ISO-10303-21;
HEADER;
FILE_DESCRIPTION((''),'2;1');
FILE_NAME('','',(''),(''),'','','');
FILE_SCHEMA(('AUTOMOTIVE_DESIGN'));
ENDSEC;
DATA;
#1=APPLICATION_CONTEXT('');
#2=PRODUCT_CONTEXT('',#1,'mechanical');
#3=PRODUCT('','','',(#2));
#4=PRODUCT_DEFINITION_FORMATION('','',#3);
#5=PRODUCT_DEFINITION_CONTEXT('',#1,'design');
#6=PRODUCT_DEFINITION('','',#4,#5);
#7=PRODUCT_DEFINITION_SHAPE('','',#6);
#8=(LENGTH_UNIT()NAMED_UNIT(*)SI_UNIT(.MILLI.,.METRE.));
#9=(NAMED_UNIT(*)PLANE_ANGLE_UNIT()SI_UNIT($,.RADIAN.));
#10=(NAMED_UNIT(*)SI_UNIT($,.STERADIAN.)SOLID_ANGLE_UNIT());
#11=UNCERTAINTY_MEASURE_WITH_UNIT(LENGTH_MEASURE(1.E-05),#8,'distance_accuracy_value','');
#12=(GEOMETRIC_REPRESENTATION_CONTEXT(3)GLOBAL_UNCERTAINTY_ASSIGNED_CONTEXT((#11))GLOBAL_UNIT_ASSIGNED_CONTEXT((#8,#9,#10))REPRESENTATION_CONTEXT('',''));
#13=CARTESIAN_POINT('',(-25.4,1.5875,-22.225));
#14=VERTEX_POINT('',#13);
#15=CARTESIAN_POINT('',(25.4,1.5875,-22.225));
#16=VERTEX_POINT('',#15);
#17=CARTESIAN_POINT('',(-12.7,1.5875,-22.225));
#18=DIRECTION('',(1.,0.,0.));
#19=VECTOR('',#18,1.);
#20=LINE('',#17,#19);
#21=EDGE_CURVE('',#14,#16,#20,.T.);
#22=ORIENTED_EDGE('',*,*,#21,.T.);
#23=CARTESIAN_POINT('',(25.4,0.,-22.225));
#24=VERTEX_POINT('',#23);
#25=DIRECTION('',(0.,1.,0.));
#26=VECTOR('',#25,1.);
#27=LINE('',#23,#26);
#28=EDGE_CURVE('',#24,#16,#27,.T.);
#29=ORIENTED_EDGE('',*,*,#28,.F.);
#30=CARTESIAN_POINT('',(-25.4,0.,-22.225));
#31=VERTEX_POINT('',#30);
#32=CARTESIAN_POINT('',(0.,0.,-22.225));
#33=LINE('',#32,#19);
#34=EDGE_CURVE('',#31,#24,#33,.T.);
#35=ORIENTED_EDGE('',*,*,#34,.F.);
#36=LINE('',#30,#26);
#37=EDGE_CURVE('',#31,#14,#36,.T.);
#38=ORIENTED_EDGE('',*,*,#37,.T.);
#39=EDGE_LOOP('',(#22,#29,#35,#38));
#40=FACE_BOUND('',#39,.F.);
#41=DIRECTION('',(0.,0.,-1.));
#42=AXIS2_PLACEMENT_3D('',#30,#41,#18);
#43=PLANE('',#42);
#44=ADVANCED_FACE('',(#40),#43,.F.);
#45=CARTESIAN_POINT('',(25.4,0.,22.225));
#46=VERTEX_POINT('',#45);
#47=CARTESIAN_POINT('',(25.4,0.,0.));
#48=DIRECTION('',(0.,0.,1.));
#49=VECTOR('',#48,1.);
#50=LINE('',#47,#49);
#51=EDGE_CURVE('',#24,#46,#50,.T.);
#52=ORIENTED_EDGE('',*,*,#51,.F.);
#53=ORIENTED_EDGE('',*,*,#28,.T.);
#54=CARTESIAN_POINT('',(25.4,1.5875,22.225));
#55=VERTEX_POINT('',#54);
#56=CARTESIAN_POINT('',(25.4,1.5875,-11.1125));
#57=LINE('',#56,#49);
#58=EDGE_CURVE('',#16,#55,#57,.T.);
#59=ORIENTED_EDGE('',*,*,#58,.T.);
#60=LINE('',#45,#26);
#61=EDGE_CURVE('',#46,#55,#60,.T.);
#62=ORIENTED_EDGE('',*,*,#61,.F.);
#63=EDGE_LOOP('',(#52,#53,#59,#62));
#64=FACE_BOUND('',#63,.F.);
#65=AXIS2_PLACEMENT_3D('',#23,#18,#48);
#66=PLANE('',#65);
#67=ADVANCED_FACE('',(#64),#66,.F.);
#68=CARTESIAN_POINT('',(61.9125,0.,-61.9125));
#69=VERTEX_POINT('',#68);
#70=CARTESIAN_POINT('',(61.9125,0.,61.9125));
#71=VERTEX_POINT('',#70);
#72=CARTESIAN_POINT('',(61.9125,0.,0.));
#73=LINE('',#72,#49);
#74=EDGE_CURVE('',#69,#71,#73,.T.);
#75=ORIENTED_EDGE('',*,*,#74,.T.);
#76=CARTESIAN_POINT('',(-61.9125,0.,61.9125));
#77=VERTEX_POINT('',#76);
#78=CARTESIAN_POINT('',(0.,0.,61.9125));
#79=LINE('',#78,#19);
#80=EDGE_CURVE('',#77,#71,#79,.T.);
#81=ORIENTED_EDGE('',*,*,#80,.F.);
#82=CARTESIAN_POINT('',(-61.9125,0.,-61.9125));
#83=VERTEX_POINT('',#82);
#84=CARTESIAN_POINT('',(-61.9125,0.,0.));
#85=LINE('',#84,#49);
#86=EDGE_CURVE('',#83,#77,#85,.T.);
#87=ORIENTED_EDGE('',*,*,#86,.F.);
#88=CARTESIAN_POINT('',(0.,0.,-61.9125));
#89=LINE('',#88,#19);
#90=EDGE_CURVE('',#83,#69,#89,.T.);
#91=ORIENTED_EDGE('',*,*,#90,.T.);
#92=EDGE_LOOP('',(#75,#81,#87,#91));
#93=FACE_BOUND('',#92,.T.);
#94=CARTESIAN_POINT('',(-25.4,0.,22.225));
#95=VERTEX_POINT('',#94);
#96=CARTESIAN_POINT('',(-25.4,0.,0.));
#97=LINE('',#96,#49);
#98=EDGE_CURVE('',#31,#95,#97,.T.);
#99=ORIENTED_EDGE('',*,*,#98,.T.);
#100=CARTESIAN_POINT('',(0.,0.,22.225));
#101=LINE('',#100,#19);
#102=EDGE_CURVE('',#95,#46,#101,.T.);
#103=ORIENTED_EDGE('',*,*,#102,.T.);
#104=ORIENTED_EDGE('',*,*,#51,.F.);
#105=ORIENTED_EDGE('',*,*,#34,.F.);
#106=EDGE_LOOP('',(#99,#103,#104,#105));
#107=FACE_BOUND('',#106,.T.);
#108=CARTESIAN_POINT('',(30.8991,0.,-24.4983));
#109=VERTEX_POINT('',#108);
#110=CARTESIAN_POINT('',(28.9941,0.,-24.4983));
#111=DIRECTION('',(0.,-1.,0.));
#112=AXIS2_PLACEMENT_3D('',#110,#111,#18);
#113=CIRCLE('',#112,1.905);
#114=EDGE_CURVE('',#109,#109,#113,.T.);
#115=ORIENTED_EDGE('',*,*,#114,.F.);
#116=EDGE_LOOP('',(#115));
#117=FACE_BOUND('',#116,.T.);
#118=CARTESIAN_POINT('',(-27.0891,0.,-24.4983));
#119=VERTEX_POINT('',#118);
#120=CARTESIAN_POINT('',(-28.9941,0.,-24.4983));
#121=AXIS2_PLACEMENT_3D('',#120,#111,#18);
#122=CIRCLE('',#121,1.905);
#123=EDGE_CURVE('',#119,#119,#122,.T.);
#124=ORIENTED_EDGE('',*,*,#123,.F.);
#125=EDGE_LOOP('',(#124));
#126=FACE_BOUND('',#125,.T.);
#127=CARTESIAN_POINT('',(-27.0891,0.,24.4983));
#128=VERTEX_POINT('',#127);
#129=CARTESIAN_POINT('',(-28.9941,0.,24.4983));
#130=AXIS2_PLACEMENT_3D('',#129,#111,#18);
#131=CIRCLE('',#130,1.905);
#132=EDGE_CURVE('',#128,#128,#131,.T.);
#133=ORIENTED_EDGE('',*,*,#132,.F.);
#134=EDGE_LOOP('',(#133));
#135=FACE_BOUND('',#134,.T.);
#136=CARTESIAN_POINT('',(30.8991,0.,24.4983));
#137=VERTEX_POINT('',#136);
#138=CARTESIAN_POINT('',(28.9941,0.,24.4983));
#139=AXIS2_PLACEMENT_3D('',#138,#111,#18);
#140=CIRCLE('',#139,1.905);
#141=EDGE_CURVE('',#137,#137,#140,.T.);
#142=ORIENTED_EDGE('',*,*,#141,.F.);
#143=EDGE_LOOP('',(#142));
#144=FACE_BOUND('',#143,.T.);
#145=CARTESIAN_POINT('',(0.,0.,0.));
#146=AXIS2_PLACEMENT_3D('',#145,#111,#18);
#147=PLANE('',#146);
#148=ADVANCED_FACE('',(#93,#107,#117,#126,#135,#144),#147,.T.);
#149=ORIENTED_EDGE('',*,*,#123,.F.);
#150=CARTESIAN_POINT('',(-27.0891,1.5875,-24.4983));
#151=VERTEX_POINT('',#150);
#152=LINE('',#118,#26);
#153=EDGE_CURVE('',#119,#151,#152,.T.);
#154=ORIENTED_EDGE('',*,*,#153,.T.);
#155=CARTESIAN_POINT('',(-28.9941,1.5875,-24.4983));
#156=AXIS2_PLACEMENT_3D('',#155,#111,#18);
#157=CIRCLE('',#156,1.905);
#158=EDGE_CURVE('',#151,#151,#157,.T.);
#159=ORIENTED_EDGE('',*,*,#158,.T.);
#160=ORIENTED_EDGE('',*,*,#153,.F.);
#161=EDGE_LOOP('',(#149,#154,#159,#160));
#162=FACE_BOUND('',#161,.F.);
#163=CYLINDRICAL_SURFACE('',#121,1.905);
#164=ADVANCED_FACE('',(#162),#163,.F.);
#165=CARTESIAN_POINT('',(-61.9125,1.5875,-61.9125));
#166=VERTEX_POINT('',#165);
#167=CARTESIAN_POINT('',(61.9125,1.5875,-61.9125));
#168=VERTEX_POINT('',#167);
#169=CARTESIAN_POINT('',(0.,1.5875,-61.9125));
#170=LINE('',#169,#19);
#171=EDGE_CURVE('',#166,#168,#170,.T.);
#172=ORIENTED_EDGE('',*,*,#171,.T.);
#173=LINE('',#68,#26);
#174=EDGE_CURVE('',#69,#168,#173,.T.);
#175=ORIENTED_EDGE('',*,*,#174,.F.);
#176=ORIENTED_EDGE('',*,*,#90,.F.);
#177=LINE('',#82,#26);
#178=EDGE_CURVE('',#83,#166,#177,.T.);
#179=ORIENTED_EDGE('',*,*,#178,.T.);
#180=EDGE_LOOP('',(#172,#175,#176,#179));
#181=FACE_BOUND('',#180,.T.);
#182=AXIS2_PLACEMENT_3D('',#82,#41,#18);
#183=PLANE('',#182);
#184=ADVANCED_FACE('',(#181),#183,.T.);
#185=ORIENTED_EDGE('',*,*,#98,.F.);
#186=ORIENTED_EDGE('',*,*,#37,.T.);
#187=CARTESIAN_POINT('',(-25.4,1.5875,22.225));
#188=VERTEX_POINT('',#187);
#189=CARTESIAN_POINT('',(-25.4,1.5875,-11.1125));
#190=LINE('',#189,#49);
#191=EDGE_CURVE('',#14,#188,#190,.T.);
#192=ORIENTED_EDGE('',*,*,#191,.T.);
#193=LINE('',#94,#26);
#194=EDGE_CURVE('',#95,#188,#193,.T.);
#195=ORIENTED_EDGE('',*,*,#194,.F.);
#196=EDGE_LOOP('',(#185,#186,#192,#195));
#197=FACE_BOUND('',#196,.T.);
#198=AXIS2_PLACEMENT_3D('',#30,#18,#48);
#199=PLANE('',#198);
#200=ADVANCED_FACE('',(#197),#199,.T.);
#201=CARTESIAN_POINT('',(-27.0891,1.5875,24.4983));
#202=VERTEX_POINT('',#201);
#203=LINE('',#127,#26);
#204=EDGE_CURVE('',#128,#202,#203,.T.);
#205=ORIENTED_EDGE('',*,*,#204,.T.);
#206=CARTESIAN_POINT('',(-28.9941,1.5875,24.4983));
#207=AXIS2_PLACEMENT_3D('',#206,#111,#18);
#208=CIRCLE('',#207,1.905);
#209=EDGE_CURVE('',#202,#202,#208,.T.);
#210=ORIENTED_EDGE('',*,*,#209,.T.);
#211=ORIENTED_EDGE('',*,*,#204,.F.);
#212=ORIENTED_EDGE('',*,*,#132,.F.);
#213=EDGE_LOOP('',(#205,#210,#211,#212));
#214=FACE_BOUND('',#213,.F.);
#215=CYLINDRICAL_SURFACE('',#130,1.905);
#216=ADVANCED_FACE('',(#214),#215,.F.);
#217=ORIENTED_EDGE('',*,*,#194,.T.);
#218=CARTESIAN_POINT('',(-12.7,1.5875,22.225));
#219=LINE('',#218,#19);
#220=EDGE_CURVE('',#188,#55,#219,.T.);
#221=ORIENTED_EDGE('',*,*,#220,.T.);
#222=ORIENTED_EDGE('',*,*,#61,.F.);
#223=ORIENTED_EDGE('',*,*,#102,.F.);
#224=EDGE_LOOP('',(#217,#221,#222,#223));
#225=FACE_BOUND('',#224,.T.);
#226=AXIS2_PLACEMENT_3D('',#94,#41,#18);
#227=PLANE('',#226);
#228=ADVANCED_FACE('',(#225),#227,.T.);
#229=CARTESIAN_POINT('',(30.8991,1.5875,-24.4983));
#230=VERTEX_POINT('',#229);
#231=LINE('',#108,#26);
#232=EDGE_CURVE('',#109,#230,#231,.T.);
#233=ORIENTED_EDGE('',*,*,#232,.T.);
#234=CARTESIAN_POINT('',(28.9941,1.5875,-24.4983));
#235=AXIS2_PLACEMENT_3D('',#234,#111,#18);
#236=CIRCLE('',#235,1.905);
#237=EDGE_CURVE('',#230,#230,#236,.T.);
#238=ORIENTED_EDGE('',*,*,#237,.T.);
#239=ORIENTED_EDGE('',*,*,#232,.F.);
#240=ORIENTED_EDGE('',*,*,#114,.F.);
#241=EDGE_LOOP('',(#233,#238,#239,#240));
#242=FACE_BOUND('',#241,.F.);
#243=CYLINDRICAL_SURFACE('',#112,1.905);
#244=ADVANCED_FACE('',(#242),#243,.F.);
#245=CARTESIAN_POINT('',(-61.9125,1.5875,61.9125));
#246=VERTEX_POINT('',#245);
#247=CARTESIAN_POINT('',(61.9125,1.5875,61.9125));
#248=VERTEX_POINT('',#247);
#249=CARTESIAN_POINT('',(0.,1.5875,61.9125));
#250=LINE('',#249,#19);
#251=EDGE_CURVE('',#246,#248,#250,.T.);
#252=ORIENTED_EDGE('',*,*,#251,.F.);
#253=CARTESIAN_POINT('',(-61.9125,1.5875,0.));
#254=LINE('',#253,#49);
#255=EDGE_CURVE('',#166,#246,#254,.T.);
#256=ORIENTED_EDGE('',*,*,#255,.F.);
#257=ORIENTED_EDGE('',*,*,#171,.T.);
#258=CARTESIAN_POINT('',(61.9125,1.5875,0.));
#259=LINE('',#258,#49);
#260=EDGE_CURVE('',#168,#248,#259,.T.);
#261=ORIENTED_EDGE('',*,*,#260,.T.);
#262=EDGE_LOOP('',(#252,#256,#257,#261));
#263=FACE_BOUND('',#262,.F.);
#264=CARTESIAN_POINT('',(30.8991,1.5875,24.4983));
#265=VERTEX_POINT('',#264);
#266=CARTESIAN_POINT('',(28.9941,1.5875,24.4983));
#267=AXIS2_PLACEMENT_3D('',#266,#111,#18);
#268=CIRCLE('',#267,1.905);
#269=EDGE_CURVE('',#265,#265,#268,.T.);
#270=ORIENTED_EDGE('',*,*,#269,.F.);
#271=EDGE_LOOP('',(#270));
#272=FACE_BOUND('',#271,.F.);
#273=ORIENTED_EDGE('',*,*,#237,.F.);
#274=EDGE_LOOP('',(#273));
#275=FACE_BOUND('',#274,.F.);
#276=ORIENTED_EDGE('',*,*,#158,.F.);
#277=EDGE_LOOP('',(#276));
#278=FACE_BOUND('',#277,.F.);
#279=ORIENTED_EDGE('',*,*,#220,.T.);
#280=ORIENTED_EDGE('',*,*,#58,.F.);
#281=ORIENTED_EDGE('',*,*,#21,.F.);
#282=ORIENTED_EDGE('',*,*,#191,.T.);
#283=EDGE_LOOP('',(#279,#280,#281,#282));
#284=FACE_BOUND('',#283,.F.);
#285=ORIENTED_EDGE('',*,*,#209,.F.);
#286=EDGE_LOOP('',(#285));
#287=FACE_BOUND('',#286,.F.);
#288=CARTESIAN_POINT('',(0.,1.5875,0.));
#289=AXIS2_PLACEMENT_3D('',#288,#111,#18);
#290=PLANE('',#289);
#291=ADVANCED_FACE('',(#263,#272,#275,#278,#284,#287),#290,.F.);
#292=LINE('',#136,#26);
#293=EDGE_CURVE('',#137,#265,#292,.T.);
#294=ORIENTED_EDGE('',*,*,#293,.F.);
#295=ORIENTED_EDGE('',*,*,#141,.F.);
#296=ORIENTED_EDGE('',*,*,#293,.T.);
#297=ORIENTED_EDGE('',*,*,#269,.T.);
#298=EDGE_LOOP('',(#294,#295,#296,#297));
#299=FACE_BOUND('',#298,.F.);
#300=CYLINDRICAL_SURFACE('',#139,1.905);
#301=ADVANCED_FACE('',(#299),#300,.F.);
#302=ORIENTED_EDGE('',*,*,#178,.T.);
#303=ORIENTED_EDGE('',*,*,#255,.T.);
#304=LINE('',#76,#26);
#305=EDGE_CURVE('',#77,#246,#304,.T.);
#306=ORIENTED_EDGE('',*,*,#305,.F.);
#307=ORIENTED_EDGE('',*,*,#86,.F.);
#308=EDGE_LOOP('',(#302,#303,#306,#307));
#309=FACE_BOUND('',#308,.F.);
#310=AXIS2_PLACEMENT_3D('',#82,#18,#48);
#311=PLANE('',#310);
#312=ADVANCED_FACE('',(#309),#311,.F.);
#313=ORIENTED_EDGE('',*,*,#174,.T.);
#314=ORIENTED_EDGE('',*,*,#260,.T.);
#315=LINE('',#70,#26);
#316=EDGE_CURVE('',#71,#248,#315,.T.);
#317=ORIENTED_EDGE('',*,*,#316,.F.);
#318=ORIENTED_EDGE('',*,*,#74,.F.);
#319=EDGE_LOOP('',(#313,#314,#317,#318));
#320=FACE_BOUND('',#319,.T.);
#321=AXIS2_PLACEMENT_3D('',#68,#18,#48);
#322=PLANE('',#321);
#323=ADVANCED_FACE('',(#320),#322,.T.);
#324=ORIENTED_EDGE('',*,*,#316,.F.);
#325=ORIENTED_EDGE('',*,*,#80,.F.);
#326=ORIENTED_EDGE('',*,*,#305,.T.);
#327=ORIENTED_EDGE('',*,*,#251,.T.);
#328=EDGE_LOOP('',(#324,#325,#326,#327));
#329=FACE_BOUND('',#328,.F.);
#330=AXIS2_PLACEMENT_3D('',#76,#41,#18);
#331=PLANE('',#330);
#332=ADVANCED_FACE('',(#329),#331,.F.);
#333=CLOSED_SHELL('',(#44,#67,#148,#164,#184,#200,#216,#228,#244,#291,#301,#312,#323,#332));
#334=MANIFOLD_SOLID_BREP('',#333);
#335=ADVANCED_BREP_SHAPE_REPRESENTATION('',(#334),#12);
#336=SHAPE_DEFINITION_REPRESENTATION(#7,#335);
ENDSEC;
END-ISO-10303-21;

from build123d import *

# Parameters (mm, degrees)
F0_W     = 123.825
F0_H     = 123.825
F1_DEPTH = 1.5875
F2_R     = 1.905
F2_W     = 50.8
F2_H     = 44.45
F3_DEPTH = 25.4


with BuildPart() as f1:
    # F0 (on Front) → F1 (new body)
    with BuildSketch(Plane.XZ):
        Rectangle(F0_W, F0_H)
    extrude(amount=-F1_DEPTH)

    # F2 (on face) → F3 (cut)
    with BuildSketch(Plane.XZ):
        with Locations((28.9941, 24.4983)):
            Circle(F2_R)
        with Locations((28.9941, -24.4983)):
            Circle(F2_R)
        with Locations((-28.9941, -24.4983)):
            Circle(F2_R)
        with Locations((-28.9941, 24.4983)):
            Circle(F2_R)
        Rectangle(F2_W, F2_H)
    extrude(amount=-F3_DEPTH, mode=Mode.SUBTRACT)


solid = f1.part
